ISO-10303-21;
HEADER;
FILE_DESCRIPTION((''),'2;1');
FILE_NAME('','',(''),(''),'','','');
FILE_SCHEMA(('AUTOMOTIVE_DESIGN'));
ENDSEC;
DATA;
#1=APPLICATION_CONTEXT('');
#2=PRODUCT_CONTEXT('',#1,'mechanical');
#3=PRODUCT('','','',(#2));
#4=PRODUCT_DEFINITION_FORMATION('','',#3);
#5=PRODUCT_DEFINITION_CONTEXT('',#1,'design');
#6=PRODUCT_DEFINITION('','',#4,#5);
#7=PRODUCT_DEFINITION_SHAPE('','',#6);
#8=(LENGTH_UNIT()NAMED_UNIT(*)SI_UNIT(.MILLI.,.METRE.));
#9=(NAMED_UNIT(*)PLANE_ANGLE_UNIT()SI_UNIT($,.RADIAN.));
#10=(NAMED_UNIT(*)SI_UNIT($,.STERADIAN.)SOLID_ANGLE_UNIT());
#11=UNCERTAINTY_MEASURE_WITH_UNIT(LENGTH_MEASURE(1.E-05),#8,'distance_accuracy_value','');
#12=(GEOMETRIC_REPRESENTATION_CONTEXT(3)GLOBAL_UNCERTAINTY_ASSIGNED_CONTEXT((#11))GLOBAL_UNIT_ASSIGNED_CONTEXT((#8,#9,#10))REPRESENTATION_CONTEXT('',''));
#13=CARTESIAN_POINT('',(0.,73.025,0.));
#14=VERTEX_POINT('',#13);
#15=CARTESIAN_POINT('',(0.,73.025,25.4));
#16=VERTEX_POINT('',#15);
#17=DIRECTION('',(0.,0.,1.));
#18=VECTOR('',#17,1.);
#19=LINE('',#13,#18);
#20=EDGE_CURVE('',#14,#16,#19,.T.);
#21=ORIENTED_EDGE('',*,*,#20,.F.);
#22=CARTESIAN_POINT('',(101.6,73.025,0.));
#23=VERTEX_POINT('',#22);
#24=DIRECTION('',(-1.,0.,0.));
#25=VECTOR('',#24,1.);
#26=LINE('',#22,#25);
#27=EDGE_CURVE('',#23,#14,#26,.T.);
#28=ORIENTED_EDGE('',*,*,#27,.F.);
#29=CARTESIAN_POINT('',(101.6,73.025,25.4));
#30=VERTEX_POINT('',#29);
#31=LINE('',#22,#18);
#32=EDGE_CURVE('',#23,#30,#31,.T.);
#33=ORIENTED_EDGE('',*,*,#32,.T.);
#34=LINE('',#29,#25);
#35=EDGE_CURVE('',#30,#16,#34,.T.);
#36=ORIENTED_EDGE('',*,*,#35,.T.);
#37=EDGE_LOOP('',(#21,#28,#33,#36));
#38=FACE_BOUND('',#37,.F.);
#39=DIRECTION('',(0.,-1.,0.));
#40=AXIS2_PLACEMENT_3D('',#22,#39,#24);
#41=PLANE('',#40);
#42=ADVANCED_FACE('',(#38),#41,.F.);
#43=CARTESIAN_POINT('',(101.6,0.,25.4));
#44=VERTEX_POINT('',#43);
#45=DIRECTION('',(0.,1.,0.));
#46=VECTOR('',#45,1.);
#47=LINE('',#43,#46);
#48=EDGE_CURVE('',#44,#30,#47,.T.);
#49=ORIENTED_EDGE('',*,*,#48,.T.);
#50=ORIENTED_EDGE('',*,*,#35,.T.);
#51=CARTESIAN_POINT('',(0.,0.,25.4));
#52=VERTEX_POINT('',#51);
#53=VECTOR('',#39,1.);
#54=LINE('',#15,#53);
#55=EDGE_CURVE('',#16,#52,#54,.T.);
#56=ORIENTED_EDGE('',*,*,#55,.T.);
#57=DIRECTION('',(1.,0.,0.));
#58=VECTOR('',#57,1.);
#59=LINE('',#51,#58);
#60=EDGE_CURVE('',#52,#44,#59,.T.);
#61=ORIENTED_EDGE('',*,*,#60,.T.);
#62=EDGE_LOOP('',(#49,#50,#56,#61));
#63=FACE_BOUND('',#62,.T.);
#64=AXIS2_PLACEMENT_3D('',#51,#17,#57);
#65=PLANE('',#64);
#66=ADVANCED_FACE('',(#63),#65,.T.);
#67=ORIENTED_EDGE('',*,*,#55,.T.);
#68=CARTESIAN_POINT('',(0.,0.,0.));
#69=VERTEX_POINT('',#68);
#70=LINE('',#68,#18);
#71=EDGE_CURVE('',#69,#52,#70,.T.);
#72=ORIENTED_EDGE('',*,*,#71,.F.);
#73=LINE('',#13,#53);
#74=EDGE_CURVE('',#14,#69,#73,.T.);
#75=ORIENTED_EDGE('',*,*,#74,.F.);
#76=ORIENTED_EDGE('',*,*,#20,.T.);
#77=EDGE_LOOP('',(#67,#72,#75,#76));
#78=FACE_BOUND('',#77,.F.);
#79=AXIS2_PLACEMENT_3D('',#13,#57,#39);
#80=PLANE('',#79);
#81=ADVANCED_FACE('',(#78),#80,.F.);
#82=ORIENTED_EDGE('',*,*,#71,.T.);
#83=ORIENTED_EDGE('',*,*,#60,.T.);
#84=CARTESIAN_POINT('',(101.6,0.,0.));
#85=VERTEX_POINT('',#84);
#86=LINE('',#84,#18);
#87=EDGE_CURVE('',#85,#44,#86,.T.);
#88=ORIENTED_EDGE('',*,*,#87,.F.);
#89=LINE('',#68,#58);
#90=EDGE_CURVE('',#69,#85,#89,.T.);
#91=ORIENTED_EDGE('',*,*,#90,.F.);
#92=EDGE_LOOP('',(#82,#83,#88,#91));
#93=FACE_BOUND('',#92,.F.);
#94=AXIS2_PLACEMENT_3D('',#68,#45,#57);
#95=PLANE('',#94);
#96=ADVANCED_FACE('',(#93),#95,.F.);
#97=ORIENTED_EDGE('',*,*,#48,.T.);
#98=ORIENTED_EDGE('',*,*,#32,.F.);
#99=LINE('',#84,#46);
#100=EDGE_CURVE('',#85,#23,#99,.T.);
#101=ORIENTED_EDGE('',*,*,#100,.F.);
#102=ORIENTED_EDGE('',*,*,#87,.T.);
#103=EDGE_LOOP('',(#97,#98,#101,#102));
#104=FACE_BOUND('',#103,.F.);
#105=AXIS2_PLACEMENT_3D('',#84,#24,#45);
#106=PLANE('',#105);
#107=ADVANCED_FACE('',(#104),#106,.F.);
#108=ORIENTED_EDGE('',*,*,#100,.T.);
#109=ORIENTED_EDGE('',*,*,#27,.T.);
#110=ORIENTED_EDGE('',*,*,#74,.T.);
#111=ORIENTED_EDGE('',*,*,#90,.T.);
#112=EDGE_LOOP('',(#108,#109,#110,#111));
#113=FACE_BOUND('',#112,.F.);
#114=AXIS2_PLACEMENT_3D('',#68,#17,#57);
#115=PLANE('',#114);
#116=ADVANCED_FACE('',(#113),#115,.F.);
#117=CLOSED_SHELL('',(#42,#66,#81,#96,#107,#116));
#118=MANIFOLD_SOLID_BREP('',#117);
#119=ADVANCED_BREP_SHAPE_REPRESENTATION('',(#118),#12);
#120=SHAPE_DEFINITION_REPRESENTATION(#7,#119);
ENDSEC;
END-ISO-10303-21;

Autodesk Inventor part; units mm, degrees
ref_plane "YZ Plane" through (0, 0, 0) normal (1, 0, 0) x (0, 1, 0)
ref_plane "XZ Plane" through (0, 0, 0) normal (0, 1, 0) x (-1, 0, 0)
ref_plane "XY Plane" through (0, 0, 0) normal (0, 0, 1) x (1, 0, 0)
sketch "Sketch1" plane through (0, 0, 0) normal (0, 0, 1) x (1, 0, 0)
  line L0 (0, 0) -> (101.6, 0)
  line L1 (101.6, 0) -> (101.6, 73.025)
  line L2 (101.6, 73.025) -> (0, 73.025)
  line L3 (0, 73.025) -> (0, 0)
  dimension "d0" = 101.6
  dimension "d1" = 73.025
extrude "Extrusion1" add sketch "Sketch1" along normal blind 25.4
properties part number "shield"
